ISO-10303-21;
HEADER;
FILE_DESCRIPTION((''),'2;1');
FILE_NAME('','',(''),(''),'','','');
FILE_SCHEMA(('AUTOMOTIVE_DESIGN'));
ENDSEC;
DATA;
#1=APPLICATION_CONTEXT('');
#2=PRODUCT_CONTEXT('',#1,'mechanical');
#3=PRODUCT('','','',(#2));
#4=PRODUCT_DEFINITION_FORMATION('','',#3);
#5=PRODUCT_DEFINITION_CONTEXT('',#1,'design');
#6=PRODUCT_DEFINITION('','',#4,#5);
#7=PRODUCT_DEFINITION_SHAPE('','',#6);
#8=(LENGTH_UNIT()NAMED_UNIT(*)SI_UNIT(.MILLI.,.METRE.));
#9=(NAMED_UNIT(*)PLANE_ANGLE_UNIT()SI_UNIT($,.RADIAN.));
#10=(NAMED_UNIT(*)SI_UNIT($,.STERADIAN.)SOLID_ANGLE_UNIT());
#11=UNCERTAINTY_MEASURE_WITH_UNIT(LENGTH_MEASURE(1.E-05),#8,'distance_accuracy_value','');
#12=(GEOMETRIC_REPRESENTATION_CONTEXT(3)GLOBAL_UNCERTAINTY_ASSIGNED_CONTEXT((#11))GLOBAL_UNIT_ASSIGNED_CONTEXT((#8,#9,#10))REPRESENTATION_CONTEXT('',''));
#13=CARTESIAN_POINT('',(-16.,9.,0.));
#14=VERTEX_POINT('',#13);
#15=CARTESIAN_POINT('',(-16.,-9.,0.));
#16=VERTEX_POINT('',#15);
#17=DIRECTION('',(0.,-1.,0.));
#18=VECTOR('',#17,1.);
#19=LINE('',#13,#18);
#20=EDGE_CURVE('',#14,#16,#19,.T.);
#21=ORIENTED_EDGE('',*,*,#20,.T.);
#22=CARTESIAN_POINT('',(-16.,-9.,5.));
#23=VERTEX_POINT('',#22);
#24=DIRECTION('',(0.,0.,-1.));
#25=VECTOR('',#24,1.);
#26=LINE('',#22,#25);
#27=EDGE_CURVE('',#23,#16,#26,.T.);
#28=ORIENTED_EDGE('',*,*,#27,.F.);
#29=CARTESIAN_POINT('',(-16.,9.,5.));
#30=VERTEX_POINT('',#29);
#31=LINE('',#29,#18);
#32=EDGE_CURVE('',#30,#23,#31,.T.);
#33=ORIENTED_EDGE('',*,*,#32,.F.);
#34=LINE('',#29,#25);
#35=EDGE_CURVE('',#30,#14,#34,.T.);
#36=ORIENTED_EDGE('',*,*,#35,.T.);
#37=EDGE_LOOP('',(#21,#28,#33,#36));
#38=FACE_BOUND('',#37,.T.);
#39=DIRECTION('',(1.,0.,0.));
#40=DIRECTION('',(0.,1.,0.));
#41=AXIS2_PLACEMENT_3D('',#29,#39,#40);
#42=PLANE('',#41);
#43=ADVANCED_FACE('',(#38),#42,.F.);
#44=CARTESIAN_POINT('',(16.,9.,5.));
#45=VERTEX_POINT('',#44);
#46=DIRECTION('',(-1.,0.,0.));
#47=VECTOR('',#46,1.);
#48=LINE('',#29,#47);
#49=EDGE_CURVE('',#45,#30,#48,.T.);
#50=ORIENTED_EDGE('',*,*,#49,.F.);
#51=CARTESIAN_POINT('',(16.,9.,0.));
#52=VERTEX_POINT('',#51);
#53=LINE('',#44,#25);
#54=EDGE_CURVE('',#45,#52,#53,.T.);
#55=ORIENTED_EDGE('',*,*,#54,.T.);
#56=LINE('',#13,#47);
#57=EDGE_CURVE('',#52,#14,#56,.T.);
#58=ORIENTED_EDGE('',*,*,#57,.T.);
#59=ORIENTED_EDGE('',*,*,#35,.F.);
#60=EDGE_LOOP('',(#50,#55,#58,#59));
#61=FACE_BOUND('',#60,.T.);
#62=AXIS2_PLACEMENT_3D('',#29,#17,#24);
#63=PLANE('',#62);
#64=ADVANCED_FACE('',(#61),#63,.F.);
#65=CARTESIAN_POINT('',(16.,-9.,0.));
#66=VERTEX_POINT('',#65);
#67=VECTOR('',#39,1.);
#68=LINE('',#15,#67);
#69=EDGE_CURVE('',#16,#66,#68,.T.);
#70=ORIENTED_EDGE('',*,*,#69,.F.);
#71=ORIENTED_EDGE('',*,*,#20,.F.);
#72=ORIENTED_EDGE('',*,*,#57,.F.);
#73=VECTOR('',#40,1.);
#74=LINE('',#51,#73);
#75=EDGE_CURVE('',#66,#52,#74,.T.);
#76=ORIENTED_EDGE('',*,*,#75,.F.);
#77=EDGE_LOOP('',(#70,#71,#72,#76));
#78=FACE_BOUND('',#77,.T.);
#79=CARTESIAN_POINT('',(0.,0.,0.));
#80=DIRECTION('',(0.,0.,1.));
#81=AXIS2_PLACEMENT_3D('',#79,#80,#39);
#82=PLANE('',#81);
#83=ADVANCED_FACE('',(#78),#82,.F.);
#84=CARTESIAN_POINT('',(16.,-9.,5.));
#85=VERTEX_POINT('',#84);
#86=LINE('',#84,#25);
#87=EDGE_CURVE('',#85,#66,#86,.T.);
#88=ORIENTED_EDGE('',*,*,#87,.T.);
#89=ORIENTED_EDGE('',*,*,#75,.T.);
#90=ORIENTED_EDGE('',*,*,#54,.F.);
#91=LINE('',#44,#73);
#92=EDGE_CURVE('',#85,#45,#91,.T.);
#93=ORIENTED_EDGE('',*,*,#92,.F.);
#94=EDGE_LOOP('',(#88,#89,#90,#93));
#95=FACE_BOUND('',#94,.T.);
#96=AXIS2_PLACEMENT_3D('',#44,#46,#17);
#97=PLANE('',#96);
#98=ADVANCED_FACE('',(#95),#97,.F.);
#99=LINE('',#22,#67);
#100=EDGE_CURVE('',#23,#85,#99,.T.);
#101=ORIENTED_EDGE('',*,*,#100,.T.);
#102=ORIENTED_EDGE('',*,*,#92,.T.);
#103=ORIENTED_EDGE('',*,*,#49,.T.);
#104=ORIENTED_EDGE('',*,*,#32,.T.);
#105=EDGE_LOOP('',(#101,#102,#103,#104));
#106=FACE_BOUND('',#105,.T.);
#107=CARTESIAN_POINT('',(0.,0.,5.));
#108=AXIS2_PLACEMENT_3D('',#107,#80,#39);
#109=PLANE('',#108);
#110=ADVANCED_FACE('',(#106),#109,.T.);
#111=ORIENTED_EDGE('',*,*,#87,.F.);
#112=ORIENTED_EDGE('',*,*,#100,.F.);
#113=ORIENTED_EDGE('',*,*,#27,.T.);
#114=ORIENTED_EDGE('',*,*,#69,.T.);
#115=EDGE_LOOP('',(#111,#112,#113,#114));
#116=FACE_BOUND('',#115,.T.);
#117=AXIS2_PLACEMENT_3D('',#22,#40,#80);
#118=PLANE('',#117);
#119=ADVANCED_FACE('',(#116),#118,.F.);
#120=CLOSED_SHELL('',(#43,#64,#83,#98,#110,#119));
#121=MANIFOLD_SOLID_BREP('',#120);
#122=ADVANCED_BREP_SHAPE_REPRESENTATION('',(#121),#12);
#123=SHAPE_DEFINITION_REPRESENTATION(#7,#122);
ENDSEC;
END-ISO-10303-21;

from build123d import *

# Parameters (mm, degrees)
SKETCH_1_W      = 32
SKETCH_1_H      = 18
EXTRUDE_1_DEPTH = 5


with BuildPart() as part:
    # 草圖1 → 填料-伸長1 (new body)
    with BuildSketch(Plane.XY):
        Rectangle(SKETCH_1_W, SKETCH_1_H)
    extrude(amount=EXTRUDE_1_DEPTH)


solid = part.part
